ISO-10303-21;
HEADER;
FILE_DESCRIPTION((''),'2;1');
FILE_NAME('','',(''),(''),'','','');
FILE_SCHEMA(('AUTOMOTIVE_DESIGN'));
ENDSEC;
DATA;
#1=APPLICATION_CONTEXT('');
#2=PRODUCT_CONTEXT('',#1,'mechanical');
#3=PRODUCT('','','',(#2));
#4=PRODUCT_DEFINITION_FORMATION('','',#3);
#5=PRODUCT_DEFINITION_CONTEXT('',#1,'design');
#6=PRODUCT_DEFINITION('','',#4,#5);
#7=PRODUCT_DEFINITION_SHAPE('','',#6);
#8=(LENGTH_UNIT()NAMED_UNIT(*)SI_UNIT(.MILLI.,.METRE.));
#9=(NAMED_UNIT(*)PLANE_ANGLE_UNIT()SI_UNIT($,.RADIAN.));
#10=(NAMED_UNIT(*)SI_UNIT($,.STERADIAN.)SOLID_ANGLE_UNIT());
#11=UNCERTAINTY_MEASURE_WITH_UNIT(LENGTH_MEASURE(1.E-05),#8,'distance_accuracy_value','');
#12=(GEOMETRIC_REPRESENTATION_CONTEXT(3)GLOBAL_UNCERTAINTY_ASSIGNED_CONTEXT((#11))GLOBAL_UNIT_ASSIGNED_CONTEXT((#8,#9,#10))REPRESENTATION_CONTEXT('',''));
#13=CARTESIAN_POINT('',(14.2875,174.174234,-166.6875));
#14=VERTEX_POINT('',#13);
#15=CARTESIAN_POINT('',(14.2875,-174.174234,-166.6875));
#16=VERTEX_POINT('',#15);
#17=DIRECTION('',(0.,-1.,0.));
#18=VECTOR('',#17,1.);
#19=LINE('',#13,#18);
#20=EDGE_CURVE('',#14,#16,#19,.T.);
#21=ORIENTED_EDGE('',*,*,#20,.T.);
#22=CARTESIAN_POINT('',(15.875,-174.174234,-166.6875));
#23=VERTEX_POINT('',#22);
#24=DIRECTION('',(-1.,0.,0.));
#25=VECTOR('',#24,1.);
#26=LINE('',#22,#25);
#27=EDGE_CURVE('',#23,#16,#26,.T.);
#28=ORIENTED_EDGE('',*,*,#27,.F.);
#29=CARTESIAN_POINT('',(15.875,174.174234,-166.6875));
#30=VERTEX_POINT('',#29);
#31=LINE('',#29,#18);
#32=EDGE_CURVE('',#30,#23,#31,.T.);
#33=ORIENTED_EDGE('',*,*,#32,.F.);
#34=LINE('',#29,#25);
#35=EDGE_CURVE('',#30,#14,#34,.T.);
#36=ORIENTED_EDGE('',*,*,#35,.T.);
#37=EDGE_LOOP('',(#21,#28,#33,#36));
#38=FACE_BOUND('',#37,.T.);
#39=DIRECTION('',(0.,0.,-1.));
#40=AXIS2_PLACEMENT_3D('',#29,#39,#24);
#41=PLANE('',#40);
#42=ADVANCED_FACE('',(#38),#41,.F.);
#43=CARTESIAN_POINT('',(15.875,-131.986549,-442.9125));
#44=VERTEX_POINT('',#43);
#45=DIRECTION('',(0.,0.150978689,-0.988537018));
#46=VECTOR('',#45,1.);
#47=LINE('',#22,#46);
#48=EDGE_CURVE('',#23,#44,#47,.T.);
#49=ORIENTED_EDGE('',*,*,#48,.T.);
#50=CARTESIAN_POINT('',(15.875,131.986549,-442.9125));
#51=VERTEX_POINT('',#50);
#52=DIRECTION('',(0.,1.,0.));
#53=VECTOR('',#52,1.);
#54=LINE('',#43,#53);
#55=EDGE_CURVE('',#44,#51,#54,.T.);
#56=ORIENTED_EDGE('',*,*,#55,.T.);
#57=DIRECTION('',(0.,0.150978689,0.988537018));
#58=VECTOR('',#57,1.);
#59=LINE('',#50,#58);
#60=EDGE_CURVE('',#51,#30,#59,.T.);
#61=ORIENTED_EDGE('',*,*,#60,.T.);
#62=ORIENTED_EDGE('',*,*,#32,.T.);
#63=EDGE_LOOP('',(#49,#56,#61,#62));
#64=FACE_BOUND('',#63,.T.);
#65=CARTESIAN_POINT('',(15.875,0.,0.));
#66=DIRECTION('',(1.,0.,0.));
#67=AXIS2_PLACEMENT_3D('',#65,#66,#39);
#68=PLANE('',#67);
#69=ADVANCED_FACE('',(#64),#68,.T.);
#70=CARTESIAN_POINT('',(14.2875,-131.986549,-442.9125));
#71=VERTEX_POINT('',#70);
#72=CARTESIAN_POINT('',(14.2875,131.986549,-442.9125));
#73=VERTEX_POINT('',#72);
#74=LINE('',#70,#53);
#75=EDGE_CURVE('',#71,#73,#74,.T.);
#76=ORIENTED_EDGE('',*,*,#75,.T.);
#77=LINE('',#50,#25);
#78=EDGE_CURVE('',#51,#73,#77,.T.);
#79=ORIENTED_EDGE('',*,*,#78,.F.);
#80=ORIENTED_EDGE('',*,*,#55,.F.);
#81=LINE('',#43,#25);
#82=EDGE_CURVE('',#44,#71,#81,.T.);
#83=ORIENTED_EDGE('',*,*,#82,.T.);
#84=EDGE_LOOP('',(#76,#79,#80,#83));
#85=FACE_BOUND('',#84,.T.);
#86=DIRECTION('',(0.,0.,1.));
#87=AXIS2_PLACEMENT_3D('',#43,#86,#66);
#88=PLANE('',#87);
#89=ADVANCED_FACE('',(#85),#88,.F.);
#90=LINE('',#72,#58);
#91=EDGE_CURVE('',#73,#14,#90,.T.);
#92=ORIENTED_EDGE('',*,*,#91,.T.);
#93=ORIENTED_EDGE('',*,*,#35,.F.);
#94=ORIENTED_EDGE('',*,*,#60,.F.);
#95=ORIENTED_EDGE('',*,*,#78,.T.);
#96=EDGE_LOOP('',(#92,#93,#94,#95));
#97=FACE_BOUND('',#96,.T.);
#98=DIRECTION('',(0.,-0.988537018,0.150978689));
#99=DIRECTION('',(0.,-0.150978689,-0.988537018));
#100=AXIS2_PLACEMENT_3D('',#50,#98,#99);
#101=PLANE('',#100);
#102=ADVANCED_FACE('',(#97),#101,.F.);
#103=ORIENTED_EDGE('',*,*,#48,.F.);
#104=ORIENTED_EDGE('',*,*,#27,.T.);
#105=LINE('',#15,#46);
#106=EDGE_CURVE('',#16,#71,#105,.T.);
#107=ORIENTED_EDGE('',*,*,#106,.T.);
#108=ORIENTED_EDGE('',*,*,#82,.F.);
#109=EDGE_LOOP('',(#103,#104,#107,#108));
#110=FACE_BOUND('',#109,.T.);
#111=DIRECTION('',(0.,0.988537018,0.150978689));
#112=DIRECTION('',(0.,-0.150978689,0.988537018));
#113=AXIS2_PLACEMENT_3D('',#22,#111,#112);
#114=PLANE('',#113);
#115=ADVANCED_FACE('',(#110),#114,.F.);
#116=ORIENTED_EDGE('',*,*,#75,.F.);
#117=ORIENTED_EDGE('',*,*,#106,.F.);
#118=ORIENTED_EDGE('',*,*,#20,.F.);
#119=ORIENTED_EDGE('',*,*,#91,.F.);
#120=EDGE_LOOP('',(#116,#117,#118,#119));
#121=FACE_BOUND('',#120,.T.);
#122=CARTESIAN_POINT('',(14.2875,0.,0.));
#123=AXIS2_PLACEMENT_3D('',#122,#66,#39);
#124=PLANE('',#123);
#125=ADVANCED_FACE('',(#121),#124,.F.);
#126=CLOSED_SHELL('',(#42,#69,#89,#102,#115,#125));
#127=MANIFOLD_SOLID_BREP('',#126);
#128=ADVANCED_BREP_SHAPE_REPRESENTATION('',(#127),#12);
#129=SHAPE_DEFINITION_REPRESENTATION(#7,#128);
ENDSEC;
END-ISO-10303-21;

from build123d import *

# Parameters (mm, degrees)
BOSS_EXTRUDE1_DEPTH = 1.5875


with BuildPart() as part:
    # Sketch2 → Boss-Extrude1 (new body)
    with BuildSketch(Plane(origin=(14.2875, 0, 0), x_dir=(0, 0, -1), z_dir=(1, 0, 0))):
        Polygon((166.6875, 174.17423447), (166.6875, -174.17423447), (442.9125, -131.986549459), (442.9125, 131.986549459), align=None)
    extrude(amount=BOSS_EXTRUDE1_DEPTH)


solid = part.part
